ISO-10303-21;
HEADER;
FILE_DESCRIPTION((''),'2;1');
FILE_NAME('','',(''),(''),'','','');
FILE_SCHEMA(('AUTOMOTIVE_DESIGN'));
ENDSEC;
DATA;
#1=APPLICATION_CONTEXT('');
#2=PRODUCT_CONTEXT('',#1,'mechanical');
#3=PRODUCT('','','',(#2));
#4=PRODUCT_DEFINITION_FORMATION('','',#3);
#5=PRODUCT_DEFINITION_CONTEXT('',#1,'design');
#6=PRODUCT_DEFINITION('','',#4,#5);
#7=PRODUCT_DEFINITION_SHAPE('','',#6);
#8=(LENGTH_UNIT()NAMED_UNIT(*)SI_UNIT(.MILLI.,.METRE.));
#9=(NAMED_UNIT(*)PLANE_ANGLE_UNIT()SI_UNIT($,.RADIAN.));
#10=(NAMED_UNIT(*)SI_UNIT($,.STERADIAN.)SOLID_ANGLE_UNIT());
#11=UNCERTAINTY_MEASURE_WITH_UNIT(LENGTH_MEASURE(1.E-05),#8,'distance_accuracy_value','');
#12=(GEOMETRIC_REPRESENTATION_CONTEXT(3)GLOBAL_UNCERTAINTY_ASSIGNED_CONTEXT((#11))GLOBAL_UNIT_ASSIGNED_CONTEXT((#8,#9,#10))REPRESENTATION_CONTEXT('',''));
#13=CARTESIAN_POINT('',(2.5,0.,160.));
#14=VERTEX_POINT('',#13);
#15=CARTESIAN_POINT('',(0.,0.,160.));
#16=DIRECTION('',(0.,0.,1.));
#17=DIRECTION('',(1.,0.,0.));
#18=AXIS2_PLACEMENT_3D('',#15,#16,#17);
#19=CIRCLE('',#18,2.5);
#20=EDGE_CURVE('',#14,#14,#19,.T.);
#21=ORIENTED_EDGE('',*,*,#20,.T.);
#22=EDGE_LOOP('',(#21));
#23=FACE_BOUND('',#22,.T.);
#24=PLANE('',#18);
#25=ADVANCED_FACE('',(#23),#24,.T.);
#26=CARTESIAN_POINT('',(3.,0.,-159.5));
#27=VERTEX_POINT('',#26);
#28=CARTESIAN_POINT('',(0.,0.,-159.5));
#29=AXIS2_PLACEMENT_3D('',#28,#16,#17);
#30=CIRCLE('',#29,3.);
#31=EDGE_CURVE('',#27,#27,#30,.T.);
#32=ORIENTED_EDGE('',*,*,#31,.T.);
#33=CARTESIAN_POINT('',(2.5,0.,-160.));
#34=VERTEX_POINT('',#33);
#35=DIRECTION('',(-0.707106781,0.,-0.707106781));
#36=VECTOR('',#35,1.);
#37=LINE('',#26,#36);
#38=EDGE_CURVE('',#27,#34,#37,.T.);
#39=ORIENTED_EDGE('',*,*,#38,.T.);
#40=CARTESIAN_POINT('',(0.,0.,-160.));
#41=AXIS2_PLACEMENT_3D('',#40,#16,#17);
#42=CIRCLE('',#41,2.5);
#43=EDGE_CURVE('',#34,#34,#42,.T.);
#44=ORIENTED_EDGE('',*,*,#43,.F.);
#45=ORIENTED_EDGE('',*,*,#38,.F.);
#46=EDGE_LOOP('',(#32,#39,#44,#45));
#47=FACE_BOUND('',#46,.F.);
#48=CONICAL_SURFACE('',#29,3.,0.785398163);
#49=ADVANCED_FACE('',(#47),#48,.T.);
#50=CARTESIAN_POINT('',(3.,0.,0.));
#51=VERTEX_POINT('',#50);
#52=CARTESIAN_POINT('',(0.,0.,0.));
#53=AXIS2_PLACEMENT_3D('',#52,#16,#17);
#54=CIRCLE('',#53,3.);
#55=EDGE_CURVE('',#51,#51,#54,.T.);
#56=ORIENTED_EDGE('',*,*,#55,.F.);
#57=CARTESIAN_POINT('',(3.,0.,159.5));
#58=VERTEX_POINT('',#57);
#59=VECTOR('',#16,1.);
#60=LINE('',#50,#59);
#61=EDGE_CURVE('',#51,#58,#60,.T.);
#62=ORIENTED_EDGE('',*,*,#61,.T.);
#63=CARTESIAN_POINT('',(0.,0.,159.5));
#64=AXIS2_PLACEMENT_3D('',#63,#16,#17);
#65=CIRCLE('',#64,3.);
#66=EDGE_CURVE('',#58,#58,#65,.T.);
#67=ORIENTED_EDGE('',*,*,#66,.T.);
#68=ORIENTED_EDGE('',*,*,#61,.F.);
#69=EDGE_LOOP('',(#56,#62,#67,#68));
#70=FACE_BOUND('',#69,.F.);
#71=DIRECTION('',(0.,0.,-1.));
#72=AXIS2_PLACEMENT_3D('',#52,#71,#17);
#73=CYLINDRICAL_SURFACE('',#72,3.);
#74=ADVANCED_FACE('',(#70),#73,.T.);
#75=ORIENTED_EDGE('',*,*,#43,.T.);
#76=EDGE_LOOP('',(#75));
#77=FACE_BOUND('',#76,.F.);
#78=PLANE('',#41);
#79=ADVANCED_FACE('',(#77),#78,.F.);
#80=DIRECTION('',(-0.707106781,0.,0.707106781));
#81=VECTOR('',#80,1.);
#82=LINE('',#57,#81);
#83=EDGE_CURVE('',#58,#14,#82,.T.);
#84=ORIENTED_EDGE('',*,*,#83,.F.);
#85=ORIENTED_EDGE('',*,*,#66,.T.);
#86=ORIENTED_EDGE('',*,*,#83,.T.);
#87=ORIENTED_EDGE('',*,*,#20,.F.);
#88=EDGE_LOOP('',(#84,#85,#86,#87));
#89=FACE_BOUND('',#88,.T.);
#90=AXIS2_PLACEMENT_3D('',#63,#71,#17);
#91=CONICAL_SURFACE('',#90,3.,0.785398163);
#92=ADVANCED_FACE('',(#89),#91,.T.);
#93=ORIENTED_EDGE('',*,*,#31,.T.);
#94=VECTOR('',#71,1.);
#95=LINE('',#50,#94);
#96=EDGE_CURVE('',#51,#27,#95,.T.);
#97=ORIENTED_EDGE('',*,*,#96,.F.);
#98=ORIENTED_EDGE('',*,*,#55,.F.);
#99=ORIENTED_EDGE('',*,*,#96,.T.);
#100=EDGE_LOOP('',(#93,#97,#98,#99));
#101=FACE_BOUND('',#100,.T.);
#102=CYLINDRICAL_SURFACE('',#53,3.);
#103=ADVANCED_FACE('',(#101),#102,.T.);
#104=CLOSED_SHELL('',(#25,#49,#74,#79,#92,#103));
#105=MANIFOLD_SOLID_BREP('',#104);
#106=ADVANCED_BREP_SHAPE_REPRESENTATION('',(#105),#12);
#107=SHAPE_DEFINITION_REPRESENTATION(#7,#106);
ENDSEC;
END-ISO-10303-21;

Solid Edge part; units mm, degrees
sketch "Sketch1" plane through (0, 0, 0) normal (0, 0, 1) x (1, 0, 0)
  circle A0 centre (0, 0) radius 3
extrude "Protrusion1" add sketch "Sketch1" along normal mid plane 320
chamfer "Chamfer_1" distance 0.5 angle 45 2 edges at (-3, 0, -160) (-3, 0, 160)
cosmetic_thread "Thread1" size "M6"
properties material "Steel"
